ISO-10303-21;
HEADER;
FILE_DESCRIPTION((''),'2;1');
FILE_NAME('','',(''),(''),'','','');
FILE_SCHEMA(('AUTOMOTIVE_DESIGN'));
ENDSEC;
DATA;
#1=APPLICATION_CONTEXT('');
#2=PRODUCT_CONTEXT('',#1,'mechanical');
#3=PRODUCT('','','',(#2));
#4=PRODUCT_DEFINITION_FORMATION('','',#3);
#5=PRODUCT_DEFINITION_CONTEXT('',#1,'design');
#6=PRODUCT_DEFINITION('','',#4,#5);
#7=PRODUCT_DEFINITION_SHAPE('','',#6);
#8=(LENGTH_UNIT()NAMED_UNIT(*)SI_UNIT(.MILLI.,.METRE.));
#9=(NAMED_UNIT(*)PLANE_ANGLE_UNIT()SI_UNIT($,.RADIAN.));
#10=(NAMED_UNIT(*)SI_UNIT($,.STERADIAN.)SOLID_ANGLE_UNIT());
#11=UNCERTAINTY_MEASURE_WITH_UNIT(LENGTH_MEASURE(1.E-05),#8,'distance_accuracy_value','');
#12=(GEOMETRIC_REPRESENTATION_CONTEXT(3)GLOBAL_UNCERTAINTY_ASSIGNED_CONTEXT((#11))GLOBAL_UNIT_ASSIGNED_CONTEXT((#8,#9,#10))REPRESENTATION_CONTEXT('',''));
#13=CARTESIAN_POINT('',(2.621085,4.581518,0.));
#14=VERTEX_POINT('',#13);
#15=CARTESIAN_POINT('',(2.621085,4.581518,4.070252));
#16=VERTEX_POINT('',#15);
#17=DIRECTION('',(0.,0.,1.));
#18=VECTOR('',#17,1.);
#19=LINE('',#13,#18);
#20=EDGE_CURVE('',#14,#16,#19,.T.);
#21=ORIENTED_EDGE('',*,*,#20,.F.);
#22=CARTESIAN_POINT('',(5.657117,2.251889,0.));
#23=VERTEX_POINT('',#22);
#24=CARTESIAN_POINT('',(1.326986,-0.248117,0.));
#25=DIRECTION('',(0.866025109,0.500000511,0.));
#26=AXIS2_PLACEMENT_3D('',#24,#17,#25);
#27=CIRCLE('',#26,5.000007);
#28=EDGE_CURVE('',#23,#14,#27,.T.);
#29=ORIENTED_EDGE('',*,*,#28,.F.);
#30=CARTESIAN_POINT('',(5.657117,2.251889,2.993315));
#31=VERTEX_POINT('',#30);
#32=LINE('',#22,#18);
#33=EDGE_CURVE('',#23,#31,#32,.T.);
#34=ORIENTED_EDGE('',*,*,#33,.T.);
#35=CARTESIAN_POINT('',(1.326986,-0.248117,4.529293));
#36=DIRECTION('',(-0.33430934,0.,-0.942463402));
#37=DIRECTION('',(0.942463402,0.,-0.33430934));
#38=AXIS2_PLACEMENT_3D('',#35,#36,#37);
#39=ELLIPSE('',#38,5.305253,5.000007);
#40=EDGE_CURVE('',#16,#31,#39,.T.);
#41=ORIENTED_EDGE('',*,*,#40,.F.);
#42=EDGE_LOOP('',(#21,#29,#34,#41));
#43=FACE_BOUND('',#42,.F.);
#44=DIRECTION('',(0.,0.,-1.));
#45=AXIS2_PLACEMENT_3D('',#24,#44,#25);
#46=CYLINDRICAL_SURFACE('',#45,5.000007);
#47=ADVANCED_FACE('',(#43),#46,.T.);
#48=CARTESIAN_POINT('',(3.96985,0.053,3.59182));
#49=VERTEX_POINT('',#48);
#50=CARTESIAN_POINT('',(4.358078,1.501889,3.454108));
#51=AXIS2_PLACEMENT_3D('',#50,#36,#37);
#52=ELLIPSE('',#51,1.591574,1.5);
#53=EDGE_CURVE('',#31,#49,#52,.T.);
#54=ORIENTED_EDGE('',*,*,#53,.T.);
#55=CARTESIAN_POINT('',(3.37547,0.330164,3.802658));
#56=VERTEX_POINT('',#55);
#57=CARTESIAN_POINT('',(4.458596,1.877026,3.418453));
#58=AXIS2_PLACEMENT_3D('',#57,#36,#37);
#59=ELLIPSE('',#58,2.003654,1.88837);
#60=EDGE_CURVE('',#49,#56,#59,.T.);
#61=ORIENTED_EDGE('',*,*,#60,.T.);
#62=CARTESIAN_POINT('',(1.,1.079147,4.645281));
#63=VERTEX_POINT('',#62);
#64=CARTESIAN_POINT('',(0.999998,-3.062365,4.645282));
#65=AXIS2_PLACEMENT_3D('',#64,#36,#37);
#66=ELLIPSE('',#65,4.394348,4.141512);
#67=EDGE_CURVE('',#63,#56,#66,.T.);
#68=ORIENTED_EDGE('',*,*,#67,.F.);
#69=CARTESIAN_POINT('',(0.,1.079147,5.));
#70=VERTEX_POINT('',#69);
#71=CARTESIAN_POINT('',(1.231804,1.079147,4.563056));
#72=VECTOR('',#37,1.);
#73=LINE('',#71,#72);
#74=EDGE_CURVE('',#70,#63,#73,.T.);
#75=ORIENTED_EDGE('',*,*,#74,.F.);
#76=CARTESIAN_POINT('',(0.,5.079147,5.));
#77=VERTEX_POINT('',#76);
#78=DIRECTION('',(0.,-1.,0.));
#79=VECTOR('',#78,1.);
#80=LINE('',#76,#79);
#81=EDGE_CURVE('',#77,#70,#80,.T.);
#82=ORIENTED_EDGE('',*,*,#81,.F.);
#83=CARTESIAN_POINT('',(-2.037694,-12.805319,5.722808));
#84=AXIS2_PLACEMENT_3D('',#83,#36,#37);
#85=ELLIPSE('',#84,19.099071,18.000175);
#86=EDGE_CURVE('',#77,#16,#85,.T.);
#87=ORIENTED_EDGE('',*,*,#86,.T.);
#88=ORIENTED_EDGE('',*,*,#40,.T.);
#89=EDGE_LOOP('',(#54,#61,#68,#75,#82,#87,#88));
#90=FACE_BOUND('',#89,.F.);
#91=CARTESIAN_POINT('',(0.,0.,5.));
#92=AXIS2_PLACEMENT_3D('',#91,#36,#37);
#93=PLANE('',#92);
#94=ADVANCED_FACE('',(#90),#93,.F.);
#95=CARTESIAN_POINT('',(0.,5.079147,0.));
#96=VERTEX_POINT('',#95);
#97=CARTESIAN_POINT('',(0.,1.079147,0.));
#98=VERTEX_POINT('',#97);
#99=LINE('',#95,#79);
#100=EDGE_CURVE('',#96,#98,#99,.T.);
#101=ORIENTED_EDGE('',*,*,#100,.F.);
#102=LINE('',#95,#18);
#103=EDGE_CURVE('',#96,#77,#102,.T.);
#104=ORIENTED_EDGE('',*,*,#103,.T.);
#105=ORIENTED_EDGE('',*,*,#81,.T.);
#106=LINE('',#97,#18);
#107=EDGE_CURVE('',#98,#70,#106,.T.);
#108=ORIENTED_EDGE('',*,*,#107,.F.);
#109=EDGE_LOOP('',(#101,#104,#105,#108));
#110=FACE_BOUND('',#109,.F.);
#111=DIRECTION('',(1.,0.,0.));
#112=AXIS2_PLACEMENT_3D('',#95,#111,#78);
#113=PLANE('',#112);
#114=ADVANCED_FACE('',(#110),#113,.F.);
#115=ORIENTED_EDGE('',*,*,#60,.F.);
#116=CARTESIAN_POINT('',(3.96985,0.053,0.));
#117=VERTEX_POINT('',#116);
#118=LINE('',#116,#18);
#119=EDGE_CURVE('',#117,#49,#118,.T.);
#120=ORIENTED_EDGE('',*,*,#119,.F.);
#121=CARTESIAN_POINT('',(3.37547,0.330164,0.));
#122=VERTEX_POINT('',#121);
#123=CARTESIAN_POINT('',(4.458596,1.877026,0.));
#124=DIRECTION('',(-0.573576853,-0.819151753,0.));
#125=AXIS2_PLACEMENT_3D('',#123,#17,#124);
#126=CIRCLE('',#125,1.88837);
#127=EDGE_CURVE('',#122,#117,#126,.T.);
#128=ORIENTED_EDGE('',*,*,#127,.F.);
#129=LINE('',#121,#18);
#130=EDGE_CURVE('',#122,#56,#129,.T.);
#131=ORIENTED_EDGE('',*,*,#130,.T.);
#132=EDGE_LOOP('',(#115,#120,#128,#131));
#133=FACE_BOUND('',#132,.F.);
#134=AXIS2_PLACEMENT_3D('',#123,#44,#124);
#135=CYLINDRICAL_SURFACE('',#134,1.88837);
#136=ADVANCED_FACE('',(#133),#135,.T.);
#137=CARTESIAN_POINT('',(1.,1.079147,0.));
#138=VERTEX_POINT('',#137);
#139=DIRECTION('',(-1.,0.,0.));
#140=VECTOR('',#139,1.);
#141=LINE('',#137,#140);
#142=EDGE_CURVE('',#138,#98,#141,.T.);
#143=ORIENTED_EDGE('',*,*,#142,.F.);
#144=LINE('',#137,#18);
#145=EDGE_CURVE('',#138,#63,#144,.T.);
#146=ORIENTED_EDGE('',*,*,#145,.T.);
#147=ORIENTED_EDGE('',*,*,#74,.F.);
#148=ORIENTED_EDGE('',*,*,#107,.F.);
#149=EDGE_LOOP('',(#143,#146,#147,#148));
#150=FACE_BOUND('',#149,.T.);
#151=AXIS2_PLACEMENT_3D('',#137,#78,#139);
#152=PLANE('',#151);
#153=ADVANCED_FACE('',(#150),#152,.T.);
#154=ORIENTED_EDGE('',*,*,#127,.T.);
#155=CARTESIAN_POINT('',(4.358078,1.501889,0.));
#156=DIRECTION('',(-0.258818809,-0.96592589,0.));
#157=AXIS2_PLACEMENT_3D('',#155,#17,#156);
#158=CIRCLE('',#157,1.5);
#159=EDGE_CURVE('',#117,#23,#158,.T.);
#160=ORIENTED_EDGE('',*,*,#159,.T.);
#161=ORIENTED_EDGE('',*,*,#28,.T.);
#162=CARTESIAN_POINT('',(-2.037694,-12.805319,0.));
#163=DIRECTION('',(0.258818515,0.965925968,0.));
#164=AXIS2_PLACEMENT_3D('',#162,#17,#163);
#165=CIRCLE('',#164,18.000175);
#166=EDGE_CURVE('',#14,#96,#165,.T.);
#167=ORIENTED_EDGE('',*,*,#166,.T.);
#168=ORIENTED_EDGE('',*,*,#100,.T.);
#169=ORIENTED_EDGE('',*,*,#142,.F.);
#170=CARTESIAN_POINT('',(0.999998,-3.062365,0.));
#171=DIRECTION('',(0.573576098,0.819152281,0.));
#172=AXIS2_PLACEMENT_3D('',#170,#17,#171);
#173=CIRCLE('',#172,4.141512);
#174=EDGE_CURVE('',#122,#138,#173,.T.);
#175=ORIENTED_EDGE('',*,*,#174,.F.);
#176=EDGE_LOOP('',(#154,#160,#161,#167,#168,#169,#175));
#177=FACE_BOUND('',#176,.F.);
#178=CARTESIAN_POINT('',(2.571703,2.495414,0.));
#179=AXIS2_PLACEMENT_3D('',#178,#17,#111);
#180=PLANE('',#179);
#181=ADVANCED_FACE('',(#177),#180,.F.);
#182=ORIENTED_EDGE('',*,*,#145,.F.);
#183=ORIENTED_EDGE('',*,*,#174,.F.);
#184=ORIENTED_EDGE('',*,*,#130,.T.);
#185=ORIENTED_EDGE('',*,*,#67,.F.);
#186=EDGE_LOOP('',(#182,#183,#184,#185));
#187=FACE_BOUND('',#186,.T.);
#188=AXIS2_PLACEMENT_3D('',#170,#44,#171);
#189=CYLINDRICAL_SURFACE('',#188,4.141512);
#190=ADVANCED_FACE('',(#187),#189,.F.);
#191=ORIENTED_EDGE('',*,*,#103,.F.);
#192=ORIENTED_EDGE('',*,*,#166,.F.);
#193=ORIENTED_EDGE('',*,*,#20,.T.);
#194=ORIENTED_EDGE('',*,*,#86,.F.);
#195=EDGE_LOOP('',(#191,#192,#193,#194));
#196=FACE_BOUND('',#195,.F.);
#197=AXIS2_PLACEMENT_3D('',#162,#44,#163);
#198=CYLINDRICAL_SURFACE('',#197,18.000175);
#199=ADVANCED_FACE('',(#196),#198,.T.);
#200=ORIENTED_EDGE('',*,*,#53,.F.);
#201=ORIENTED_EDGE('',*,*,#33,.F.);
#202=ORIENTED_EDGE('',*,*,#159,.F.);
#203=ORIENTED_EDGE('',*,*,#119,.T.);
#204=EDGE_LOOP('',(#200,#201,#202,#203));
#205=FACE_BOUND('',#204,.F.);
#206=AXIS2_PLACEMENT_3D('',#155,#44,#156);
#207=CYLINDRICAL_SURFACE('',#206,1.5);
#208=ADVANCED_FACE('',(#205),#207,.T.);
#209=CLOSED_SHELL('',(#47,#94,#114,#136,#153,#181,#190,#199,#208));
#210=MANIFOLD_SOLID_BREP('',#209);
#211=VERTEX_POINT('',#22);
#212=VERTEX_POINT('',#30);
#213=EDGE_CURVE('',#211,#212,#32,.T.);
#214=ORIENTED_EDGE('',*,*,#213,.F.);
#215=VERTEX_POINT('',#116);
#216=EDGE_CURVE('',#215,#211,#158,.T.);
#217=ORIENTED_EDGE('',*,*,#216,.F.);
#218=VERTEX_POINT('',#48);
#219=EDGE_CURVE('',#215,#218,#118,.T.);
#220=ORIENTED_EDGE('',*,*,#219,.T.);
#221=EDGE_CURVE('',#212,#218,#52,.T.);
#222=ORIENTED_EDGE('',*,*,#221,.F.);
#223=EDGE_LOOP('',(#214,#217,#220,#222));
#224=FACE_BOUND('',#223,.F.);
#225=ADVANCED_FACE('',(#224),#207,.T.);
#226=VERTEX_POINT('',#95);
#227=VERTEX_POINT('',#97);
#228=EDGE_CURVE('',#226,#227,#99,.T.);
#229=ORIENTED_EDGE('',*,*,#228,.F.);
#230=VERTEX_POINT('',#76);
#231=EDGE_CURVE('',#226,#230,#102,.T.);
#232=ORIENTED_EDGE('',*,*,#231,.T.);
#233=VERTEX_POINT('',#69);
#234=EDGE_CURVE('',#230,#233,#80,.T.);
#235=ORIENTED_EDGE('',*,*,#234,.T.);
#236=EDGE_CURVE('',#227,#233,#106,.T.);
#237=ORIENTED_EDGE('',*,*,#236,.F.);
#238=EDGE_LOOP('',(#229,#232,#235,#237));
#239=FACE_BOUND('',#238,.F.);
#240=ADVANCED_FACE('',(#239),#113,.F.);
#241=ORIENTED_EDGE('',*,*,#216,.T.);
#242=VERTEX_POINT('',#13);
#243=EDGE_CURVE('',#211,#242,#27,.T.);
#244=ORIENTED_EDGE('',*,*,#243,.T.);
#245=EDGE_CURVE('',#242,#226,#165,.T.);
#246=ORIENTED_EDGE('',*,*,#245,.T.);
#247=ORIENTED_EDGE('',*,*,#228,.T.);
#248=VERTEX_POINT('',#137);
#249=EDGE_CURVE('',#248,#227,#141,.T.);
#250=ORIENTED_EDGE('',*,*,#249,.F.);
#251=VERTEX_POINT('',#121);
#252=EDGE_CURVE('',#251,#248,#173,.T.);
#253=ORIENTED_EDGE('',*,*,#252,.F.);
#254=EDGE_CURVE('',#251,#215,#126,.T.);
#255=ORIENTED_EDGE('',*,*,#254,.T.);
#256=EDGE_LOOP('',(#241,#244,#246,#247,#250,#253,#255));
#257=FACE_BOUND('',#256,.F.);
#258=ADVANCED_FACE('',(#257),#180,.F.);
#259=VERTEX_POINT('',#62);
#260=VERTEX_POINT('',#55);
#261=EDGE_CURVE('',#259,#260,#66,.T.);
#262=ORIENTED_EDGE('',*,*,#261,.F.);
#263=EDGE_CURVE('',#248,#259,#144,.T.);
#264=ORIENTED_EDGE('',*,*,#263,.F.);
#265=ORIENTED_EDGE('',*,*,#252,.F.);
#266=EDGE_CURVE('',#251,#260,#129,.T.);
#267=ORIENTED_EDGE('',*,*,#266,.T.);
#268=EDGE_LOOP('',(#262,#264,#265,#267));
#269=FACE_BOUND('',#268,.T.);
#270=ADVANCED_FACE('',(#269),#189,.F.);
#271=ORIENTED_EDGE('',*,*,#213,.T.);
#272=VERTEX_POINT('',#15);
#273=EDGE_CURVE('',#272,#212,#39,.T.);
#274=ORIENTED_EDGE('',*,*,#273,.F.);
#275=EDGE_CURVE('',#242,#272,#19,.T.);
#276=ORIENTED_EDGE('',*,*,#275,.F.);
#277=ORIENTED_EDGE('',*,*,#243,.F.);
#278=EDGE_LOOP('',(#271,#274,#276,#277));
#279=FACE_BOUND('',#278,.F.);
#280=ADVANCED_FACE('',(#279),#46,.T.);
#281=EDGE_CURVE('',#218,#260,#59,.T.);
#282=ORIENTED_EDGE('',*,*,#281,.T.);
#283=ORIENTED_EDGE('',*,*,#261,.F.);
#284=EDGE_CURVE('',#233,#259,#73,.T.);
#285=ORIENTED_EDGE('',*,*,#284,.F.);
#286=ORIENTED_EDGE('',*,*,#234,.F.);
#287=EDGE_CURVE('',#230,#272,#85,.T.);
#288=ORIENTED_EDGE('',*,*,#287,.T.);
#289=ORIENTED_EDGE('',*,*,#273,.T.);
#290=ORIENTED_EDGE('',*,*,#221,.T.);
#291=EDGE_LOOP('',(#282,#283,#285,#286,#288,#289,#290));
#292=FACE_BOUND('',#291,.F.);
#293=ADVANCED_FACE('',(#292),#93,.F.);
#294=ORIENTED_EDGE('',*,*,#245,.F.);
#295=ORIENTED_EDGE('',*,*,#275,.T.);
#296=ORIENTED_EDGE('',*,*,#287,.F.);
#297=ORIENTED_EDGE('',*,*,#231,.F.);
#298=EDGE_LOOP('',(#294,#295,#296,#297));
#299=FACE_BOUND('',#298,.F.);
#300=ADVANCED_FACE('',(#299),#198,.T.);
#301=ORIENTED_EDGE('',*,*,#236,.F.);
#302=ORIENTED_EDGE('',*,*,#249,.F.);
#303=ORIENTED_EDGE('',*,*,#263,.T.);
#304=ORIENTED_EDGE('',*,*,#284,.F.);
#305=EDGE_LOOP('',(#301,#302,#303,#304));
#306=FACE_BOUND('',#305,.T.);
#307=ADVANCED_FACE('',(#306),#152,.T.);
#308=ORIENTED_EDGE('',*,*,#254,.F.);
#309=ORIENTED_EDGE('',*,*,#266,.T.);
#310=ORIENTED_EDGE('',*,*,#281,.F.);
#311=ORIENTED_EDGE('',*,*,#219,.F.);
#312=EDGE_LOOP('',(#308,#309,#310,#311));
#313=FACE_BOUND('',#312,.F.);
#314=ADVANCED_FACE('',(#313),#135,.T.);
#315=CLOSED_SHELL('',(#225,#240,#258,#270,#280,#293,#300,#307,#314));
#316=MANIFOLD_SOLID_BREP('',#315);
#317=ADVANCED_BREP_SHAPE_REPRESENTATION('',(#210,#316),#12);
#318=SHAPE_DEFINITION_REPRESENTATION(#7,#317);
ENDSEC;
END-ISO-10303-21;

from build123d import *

# Parameters (mm, degrees)
EXTRUDE001_DEPTH                     = 7
EXTRUDE001_ONTO_SKETCH001_ROLL_ANGLE = 90
EXTRUDE_DEPTH                        = 5


with BuildPart() as cut:
    # Sketch001 as drawn → Extrude001 (new)
    with BuildSketch(Plane.XY):
        Polygon((0, 5), (5.9, 2.90716), (5.9, 0), (0, 0), align=None)
    extrude(amount=-EXTRUDE001_DEPTH)


with BuildPart() as cut_1:
    # Extrude001 onto Sketch001 roll: moved
    add(cut.part.rotate(Axis((0, 0, 0), (1, 0, 0)), EXTRUDE001_ONTO_SKETCH001_ROLL_ANGLE))


with BuildPart() as cut_2:
    # Extrude001 onto Sketch001 placement: moved
    add(cut_1.part)


with BuildPart() as lug:
    # Sketch → Extrude (new body)
    with BuildSketch(Plane.XY):
        with BuildLine():
            ThreePointArc((2.621085, 4.581518), (1.319775, 4.87896), (0, 5.079147))
            Line((0, 5.079147), (0, 1.079147))
            Line((1, 1.079147), (0, 1.079147))
            ThreePointArc((3.37547, 0.330164), (2.245375, 0.887465), (1, 1.079147))
            ThreePointArc((3.37547, 0.330164), (3.660536, 0.165581), (3.96985, 0.053))
            ThreePointArc((3.96985, 0.053), (5.548108, 0.588746), (5.657117, 2.251889))
            ThreePointArc((5.657117, 2.251889), (4.370797, 3.718655), (2.621085, 4.581518))
        make_face()
    extrude(amount=EXTRUDE_DEPTH)


with BuildPart() as common:
    # Common base: copy of Lug
    add(lug.part)

    # Common: intersect cut
    add(cut_2.part, mode=Mode.INTERSECT)


with BuildPart() as common001:
    # Common001 base: copy of Lug
    add(lug.part)

    # Common001: intersect cut
    add(cut_2.part, mode=Mode.INTERSECT)


solid = Compound([common.part, common001.part])
